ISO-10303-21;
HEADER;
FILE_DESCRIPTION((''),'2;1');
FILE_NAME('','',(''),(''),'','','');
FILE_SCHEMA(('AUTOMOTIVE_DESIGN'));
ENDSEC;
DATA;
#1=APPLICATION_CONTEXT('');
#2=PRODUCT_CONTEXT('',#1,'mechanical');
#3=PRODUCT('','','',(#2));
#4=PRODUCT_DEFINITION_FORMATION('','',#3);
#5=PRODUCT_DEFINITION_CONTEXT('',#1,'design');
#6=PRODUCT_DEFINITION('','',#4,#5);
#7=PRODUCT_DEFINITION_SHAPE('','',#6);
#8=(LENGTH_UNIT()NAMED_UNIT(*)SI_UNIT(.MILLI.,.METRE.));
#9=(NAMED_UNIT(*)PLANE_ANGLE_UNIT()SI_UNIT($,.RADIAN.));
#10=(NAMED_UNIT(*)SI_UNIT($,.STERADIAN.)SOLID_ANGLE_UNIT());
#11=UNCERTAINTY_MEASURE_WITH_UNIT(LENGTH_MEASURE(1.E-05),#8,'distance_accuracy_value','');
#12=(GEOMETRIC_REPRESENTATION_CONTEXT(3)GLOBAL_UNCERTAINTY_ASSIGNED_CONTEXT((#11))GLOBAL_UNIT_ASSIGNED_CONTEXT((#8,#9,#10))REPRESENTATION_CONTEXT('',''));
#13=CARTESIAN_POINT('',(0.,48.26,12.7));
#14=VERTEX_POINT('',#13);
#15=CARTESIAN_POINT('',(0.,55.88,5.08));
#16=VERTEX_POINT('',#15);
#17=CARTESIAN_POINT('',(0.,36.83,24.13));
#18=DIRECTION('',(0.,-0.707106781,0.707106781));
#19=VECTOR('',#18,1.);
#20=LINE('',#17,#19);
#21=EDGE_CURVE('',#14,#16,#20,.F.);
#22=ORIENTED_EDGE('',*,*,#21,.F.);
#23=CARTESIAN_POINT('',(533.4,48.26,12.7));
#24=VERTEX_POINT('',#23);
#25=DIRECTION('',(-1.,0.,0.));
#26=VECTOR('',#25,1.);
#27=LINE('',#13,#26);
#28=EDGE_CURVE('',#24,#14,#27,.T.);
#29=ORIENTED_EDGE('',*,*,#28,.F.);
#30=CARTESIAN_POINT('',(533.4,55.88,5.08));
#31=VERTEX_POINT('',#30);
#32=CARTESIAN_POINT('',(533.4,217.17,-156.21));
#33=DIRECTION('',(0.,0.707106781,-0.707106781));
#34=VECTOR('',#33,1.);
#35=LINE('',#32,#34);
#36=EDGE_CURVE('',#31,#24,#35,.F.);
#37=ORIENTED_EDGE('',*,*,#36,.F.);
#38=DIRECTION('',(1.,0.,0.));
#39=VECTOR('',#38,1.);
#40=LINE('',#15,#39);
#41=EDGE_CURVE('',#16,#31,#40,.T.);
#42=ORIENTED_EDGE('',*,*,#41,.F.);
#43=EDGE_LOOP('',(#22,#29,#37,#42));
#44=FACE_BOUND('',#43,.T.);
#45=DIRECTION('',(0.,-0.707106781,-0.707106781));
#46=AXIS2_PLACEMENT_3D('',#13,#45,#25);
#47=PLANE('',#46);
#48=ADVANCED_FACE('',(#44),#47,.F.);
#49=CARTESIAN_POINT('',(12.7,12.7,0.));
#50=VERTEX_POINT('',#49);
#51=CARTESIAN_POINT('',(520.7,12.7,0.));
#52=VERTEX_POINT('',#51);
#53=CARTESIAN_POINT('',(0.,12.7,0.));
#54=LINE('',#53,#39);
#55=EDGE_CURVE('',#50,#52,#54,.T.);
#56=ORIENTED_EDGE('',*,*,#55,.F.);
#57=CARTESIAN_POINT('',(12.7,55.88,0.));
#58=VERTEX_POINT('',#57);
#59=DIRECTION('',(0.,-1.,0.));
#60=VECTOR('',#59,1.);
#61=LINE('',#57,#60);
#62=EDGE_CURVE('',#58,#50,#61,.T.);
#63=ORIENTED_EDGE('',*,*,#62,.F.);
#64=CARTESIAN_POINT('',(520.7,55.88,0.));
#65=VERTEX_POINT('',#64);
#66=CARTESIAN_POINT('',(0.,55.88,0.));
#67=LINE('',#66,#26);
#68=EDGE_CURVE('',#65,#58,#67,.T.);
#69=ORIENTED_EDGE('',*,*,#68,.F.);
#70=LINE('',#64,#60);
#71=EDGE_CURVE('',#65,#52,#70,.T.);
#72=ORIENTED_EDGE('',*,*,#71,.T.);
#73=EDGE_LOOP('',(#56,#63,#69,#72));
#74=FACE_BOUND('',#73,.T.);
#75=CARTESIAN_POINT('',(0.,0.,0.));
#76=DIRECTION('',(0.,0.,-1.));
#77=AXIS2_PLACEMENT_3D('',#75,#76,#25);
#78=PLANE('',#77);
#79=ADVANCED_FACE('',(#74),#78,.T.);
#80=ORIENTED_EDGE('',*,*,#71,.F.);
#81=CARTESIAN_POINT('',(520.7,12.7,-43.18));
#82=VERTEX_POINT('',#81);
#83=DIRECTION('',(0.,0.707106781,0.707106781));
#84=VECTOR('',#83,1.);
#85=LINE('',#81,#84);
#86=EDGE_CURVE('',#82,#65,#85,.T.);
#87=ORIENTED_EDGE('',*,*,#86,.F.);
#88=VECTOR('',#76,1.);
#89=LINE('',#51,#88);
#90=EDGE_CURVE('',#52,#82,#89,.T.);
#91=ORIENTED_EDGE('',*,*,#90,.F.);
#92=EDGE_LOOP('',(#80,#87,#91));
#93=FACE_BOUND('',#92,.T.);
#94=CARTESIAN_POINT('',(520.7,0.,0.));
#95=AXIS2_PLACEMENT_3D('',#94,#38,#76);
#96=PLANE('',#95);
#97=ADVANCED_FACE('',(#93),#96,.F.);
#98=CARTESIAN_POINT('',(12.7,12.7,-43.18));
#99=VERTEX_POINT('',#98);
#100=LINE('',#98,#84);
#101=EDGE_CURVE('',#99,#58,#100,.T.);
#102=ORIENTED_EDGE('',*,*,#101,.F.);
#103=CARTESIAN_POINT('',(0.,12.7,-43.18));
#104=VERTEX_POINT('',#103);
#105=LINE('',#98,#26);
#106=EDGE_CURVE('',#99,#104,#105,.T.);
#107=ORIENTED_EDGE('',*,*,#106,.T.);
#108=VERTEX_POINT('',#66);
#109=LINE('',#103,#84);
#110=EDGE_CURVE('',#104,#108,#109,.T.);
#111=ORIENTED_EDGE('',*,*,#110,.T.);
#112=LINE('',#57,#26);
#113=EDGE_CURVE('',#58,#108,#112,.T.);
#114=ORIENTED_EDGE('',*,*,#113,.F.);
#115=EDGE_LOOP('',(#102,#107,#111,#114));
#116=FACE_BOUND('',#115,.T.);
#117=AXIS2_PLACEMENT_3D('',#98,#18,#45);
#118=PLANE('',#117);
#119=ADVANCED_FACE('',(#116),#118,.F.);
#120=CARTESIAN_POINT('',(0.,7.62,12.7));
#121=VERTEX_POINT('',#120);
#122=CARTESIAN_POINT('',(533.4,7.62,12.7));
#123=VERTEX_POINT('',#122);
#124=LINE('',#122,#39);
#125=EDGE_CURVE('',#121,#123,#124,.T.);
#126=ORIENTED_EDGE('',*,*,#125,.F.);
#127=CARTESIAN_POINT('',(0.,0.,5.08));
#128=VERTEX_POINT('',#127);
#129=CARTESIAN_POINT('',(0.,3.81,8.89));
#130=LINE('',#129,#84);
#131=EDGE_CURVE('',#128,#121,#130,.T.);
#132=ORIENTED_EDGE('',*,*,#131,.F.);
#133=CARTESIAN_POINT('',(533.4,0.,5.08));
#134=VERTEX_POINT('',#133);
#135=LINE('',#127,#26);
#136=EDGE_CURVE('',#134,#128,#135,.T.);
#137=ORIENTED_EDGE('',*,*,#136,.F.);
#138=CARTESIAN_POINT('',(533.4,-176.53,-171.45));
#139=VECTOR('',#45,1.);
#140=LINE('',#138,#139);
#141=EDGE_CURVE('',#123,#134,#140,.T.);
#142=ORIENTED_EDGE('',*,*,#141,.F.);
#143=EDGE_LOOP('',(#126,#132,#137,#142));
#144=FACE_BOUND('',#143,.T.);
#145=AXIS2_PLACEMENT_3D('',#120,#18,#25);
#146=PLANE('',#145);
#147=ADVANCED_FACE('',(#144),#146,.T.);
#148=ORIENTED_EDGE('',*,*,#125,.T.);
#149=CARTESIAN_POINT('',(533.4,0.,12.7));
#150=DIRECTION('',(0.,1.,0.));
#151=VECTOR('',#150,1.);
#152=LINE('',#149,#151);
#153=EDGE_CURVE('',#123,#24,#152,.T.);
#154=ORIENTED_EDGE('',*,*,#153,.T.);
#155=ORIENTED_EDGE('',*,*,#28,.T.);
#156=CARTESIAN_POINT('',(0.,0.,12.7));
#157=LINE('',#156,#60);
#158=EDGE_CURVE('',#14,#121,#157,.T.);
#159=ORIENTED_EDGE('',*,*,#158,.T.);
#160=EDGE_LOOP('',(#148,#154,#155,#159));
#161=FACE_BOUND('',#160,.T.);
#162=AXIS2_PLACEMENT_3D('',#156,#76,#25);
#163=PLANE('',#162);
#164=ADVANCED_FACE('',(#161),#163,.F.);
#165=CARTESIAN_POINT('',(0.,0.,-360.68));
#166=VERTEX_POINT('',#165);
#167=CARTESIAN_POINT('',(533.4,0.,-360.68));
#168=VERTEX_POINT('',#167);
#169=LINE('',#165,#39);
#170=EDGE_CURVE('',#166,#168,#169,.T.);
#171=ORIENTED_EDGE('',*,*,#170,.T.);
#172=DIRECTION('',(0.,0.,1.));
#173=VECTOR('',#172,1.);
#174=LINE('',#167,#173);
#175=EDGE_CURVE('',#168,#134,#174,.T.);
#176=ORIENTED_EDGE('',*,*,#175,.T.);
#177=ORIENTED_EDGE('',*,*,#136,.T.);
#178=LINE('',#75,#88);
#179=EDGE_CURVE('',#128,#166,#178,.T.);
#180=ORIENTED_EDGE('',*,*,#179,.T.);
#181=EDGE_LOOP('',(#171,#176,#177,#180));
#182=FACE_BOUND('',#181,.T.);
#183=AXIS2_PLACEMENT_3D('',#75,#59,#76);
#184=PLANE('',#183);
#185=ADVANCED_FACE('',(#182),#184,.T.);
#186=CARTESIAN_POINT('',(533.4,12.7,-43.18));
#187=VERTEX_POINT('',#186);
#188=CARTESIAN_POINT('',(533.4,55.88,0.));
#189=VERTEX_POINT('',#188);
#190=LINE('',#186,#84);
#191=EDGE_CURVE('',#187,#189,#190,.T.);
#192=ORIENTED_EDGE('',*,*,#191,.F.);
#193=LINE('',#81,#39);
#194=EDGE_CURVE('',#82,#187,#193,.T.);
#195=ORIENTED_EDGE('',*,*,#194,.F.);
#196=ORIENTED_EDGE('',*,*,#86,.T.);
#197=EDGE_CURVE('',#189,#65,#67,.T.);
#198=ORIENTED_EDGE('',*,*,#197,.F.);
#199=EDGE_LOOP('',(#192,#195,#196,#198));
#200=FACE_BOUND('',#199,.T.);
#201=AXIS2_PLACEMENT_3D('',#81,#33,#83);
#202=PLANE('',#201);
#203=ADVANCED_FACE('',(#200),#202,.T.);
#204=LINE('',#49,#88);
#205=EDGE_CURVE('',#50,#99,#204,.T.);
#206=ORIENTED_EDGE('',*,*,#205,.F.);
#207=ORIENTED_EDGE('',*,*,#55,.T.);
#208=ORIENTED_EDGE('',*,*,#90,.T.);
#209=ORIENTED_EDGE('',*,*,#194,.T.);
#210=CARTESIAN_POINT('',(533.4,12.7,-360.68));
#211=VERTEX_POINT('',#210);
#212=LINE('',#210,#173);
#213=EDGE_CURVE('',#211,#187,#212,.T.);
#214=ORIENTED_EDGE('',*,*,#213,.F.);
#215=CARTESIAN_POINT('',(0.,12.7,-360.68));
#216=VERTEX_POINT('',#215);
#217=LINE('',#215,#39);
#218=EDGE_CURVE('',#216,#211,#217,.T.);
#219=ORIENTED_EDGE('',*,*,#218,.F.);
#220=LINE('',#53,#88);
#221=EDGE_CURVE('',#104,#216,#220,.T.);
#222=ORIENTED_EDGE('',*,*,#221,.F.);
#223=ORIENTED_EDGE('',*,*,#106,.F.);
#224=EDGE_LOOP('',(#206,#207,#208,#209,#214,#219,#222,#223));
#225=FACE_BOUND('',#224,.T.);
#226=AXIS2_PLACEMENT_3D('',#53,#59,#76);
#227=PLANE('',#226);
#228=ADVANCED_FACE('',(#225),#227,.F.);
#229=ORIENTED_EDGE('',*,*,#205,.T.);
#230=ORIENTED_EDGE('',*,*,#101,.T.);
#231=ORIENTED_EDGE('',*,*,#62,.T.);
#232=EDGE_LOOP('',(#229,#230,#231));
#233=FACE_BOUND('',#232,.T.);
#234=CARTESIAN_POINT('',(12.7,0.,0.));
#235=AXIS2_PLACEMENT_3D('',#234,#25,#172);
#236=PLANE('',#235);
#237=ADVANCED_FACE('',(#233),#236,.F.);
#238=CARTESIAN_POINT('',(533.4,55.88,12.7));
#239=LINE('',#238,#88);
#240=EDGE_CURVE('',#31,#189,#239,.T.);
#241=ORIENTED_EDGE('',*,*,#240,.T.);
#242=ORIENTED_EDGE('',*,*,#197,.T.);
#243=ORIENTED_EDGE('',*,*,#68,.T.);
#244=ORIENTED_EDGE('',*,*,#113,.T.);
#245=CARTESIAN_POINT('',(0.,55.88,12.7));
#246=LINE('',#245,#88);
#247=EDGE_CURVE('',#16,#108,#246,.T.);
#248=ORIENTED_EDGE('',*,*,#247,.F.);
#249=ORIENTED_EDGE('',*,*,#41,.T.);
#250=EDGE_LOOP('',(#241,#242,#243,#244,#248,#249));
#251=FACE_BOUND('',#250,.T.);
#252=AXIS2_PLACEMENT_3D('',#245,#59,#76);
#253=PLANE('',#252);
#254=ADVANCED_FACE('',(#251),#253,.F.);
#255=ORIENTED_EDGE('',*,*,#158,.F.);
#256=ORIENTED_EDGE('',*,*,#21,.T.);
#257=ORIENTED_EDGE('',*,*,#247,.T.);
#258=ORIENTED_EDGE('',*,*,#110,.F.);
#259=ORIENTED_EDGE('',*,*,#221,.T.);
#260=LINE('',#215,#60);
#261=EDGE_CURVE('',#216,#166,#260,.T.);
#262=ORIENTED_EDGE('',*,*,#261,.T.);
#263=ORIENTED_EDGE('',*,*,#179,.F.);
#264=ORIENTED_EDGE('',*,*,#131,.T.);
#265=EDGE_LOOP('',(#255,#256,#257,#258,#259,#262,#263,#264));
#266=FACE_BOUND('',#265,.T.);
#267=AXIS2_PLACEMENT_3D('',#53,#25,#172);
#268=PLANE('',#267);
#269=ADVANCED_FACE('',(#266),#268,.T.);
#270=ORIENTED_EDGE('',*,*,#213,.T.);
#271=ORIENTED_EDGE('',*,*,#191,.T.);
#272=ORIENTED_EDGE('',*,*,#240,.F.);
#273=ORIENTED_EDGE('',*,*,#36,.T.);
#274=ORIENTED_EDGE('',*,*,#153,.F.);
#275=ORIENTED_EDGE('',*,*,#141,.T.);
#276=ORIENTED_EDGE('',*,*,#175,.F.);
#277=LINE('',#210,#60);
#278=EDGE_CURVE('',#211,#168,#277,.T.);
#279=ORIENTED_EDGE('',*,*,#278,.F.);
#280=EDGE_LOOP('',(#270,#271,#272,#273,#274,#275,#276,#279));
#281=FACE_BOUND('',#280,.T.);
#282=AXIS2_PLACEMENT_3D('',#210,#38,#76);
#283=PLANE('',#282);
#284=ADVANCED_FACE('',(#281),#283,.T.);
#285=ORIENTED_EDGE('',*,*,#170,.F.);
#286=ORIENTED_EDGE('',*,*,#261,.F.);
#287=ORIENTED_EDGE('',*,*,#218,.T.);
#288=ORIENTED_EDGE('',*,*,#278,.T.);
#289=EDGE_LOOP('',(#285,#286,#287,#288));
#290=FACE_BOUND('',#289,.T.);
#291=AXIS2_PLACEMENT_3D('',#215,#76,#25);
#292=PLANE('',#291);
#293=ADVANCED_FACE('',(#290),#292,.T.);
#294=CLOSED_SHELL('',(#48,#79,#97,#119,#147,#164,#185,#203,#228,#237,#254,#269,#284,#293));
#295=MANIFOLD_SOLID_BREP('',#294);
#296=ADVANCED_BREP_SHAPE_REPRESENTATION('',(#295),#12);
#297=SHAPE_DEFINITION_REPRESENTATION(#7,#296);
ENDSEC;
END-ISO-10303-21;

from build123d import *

# Parameters (mm, degrees)
SKETCH_1_W      = 533.4
SKETCH_1_H      = 360.68
EXTRUDE_1_DEPTH = 12.7
SKETCH_2_W      = 533.4
SKETCH_2_H      = 55.88
EXTRUDE_2_DEPTH = 12.7
CHAMFER1_SIZE   = 7.62
EXTRUDE1_DEPTH  = 12.7
EXTRUDE3_DEPTH  = 12.7


with BuildPart() as part:
    # 草图1 → 凸台-拉伸1 (new body)
    with BuildSketch(Plane(origin=(0, 0, 0), x_dir=(1, 0, 0), z_dir=(0, 1, 0))):
        with Locations((266.7, 180.34)):
            Rectangle(SKETCH_1_W, SKETCH_1_H)
    extrude(amount=EXTRUDE_1_DEPTH)

    # 草图2 → 凸台-拉伸2 (add)
    with BuildSketch(Plane.XY):
        with Locations((266.7, 27.94)):
            Rectangle(SKETCH_2_W, SKETCH_2_H)
    extrude(amount=EXTRUDE_2_DEPTH)

    # Chamfer1
    chamfer1_edges = [part.edges().sort_by_distance(p)[0] for p in [
        (266.7, 0, 12.7),
        (266.7, 55.88, 12.7),
    ]]
    chamfer(chamfer1_edges, length=CHAMFER1_SIZE)

    # Sketch1 → Extrude1 (add)
    with BuildSketch(Plane(origin=(533.4, 0, 0), x_dir=(0, 0, -1), z_dir=(1, 0, 0))):
        Polygon((0, 55.88), (0, 12.7), (43.18, 12.7), align=None)
    extrude(amount=-EXTRUDE1_DEPTH)

    # Sketch4 → Extrude3 (add)
    with BuildSketch(Plane.ZY):
        Polygon((0, 55.88), (0, 12.7), (-43.18, 12.7), align=None)
    extrude(amount=-EXTRUDE3_DEPTH)


solid = part.part
